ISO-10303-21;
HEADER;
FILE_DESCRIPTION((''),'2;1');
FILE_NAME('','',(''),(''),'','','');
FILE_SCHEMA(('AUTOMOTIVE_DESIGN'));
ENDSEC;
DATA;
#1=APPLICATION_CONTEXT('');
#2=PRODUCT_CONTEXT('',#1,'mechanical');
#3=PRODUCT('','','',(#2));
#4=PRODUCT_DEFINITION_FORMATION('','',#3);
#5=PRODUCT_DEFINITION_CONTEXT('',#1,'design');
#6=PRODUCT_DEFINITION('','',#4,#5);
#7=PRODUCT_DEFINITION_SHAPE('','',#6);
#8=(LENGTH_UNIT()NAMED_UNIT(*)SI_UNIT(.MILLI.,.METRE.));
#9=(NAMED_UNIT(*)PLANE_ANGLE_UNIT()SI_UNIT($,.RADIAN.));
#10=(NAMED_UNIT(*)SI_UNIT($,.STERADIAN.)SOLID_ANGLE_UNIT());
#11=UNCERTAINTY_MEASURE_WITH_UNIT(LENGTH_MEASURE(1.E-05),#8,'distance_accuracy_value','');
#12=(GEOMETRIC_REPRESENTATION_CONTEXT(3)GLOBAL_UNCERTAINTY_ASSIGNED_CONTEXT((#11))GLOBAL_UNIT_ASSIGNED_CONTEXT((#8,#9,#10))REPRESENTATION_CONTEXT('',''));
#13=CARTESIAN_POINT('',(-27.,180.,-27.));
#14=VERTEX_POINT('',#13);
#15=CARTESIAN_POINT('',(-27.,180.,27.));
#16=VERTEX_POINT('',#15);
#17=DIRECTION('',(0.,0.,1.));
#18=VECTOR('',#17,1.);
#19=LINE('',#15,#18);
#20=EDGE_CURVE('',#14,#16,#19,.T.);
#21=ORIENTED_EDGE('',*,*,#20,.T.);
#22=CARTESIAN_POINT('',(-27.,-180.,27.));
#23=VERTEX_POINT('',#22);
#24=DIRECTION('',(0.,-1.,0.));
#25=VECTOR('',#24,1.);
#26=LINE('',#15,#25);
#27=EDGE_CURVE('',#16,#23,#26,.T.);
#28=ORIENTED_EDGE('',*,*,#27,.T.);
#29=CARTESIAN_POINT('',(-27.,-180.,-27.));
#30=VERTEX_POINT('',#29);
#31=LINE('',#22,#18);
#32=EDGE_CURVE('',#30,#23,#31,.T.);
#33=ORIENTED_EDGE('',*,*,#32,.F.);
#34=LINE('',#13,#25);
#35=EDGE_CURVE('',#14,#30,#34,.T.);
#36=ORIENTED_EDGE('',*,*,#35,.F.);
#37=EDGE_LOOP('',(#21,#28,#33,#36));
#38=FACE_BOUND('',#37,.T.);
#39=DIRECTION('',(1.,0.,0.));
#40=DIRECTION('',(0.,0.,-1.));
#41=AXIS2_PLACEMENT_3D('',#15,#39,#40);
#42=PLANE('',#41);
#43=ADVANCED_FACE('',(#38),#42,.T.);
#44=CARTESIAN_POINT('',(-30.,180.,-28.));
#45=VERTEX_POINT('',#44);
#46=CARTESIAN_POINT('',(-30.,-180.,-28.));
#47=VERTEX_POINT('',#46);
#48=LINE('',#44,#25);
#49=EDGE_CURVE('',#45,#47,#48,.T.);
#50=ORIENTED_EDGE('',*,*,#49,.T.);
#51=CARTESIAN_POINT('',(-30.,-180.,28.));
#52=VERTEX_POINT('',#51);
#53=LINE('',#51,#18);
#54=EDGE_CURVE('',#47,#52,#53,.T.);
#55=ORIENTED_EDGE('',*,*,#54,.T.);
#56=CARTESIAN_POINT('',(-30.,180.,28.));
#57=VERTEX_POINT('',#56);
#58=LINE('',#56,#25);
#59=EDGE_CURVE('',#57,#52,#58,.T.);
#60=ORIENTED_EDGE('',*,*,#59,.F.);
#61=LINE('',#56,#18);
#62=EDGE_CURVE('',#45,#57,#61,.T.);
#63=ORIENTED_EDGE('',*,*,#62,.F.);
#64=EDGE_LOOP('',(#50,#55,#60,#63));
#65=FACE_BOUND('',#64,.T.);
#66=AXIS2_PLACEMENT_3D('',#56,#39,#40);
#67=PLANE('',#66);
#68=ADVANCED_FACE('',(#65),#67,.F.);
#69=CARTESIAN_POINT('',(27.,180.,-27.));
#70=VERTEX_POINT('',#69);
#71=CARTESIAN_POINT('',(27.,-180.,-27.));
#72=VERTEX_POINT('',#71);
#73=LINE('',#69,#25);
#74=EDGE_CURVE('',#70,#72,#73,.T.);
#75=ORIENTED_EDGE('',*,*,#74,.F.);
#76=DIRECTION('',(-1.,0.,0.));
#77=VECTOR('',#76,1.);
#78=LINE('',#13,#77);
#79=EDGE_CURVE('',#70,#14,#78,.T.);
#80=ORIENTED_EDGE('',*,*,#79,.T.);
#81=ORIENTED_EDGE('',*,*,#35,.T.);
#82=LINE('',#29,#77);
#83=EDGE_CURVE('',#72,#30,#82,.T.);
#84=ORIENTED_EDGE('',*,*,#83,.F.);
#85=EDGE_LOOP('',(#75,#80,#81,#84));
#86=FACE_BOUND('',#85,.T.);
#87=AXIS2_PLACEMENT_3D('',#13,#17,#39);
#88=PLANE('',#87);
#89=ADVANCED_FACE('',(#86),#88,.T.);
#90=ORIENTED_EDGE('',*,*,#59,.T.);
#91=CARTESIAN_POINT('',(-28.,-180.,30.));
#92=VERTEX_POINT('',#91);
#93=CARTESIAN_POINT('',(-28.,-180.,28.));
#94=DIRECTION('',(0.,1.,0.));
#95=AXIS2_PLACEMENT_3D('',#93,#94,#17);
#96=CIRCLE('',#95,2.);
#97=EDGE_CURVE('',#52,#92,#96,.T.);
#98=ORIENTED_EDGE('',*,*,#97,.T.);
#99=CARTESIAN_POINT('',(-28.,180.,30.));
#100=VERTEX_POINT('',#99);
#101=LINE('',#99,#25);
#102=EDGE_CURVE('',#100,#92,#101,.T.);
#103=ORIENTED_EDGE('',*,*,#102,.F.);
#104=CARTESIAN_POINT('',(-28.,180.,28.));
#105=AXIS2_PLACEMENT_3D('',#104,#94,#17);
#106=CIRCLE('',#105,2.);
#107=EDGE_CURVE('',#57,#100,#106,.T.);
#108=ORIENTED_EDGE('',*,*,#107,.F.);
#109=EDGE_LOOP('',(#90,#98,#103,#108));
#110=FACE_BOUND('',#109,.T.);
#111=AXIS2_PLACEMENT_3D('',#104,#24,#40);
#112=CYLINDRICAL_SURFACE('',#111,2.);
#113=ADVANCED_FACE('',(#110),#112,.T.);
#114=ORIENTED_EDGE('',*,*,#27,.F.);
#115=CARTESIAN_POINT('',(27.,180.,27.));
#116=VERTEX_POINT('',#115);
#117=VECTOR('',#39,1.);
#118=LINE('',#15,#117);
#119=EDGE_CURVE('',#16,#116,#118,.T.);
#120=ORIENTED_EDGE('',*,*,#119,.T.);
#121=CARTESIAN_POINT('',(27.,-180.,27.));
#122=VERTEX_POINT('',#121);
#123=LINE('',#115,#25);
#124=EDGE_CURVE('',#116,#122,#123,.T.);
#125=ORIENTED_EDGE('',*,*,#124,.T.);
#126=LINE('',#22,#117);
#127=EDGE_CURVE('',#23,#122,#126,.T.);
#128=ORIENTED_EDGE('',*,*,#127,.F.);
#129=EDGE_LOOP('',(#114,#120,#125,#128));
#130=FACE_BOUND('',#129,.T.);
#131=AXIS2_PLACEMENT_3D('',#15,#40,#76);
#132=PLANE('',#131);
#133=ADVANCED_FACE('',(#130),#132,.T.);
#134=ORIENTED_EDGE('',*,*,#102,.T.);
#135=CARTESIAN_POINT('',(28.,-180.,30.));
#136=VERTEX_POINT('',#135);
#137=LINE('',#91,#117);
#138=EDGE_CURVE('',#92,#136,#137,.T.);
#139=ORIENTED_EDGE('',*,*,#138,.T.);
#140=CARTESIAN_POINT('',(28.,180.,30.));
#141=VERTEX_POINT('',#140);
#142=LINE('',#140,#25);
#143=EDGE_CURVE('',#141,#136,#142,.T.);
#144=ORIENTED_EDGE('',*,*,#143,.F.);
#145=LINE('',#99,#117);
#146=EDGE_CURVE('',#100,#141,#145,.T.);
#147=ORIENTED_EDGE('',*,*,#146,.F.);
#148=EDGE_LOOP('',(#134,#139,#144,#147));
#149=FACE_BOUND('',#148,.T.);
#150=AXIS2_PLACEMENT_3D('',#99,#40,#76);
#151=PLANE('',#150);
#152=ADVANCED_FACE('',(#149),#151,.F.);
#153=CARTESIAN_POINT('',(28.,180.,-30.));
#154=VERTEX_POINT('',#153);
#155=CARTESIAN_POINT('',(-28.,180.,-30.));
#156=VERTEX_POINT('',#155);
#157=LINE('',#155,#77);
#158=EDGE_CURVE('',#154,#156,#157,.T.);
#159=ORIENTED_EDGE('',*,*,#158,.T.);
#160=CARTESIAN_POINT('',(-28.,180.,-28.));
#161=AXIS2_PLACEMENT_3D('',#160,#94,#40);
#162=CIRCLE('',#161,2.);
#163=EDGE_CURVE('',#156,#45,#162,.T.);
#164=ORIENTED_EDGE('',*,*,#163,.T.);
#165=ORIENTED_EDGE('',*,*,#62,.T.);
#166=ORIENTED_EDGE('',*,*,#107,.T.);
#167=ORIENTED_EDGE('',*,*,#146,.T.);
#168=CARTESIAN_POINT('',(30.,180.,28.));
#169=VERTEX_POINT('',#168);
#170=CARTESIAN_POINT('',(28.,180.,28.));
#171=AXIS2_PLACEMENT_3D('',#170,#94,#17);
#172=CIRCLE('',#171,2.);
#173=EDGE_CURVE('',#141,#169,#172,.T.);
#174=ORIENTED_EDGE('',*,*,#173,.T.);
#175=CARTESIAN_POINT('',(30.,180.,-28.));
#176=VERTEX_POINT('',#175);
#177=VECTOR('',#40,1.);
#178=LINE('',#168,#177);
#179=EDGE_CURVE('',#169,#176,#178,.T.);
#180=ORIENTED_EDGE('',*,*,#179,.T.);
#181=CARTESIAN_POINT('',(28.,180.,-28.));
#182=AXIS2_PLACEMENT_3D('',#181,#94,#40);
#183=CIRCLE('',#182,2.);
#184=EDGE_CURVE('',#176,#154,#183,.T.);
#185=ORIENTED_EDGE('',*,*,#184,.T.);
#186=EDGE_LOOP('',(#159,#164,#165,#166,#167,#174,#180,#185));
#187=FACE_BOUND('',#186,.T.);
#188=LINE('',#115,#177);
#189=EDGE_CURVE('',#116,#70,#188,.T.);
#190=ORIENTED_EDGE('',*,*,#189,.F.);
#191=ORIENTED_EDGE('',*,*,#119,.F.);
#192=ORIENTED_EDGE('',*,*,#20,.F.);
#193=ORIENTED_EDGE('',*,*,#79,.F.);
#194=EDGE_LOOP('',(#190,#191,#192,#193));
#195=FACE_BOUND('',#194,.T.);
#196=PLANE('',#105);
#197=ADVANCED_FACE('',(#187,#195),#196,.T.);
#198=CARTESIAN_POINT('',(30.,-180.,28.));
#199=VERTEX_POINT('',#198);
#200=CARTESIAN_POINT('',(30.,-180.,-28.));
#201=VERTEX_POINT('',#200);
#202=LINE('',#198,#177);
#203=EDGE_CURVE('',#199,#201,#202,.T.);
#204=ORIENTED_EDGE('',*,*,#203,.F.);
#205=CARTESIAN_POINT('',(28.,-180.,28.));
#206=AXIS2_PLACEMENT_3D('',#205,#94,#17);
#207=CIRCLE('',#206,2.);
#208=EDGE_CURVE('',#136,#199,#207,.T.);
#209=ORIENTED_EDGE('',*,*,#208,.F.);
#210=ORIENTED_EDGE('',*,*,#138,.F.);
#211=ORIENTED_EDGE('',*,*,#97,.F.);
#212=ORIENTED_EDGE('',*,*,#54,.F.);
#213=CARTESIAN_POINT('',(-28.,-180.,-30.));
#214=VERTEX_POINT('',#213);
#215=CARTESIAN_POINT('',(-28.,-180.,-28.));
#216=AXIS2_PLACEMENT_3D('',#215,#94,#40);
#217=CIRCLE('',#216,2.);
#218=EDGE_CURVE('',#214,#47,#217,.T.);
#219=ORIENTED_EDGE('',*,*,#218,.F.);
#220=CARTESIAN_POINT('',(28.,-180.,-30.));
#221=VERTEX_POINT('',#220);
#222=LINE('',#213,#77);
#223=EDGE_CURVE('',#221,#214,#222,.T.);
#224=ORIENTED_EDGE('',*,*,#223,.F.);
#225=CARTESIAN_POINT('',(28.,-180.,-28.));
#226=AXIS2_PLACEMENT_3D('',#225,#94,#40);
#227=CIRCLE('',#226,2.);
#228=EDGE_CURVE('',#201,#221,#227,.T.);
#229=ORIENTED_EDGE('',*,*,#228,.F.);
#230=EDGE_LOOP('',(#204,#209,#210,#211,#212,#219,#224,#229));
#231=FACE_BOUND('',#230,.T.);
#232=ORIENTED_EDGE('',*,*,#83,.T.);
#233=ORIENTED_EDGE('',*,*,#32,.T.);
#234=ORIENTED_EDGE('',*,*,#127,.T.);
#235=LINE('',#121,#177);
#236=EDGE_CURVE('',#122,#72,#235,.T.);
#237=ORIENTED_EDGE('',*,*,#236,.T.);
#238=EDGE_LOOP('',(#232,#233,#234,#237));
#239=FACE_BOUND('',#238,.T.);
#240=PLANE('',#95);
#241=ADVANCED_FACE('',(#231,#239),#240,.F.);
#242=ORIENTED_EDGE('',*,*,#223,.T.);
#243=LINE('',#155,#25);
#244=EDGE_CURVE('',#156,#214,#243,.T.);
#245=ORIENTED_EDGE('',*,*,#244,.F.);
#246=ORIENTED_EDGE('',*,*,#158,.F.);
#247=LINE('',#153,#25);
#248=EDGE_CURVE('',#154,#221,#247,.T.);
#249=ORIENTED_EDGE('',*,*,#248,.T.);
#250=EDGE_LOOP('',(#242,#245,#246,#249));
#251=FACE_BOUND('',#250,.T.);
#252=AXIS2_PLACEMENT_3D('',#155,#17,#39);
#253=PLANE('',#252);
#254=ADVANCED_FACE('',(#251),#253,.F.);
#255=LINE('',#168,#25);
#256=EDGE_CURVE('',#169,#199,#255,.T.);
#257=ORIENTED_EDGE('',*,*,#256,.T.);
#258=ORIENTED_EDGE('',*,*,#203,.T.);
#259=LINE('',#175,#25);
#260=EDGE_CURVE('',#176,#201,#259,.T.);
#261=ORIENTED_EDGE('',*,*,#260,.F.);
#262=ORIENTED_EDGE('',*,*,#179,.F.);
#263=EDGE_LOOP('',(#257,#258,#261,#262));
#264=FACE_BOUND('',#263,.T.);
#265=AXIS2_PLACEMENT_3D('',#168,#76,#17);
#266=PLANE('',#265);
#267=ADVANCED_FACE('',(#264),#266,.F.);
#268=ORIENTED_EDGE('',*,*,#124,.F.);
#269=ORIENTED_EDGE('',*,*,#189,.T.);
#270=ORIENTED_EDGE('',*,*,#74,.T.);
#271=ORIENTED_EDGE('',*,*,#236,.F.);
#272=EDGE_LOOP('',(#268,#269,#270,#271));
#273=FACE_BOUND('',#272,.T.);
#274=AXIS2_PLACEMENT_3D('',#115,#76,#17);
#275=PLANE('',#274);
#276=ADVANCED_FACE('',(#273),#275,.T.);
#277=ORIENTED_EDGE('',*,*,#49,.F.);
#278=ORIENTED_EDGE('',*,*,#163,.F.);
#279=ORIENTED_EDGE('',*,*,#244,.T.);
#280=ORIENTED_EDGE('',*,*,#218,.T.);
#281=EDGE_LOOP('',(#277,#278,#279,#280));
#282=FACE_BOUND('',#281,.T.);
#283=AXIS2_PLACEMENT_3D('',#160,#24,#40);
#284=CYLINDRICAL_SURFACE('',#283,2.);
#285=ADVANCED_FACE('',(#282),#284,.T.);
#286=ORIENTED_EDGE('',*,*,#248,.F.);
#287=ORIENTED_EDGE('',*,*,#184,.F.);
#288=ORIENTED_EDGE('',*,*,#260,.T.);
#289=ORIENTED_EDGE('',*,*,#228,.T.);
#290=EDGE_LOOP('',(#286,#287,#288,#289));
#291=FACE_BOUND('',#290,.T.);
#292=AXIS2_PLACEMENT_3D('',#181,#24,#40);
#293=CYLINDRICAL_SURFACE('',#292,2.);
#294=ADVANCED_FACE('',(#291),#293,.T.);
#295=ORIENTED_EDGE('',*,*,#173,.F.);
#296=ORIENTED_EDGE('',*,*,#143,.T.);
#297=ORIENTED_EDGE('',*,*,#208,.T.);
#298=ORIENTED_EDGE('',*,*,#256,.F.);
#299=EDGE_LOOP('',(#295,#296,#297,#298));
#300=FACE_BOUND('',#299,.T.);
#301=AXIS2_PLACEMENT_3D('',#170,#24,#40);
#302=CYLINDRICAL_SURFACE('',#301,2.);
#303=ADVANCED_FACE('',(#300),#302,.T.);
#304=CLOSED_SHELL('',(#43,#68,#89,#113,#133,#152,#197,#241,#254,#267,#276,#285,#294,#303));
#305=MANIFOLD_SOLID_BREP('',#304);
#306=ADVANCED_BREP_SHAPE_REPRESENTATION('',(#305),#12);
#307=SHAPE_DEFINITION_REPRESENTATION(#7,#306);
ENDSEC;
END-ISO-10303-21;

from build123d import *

# Parameters (mm, degrees)
ESBO_O1_W                = 54
ESBO_O1_H                = 54
RESSALTO_EXTRUS_O1_DEPTH = 180


with BuildPart() as part:
    # Esboço1 → Ressalto-extrusão1 (new, symmetric)
    with BuildSketch(Plane(origin=(0, 0, 0), x_dir=(1, 0, 0), z_dir=(0, 1, 0))):
        with BuildLine():
            Line((-28, -30), (28, -30))
            ThreePointArc((28, -30), (29.414213562, -29.414213562), (30, -28))
            Line((30, -28), (30, 28))
            ThreePointArc((30, 28), (29.414213562, 29.414213562), (28, 30))
            Line((28, 30), (-28, 30))
            ThreePointArc((-28, 30), (-29.414213562, 29.414213562), (-30, 28))
            Line((-30, 28), (-30, -28))
            ThreePointArc((-30, -28), (-29.414213562, -29.414213562), (-28, -30))
        make_face()
        Rectangle(ESBO_O1_W, ESBO_O1_H, mode=Mode.SUBTRACT)
    extrude(amount=RESSALTO_EXTRUS_O1_DEPTH, both=True)


solid = part.part
